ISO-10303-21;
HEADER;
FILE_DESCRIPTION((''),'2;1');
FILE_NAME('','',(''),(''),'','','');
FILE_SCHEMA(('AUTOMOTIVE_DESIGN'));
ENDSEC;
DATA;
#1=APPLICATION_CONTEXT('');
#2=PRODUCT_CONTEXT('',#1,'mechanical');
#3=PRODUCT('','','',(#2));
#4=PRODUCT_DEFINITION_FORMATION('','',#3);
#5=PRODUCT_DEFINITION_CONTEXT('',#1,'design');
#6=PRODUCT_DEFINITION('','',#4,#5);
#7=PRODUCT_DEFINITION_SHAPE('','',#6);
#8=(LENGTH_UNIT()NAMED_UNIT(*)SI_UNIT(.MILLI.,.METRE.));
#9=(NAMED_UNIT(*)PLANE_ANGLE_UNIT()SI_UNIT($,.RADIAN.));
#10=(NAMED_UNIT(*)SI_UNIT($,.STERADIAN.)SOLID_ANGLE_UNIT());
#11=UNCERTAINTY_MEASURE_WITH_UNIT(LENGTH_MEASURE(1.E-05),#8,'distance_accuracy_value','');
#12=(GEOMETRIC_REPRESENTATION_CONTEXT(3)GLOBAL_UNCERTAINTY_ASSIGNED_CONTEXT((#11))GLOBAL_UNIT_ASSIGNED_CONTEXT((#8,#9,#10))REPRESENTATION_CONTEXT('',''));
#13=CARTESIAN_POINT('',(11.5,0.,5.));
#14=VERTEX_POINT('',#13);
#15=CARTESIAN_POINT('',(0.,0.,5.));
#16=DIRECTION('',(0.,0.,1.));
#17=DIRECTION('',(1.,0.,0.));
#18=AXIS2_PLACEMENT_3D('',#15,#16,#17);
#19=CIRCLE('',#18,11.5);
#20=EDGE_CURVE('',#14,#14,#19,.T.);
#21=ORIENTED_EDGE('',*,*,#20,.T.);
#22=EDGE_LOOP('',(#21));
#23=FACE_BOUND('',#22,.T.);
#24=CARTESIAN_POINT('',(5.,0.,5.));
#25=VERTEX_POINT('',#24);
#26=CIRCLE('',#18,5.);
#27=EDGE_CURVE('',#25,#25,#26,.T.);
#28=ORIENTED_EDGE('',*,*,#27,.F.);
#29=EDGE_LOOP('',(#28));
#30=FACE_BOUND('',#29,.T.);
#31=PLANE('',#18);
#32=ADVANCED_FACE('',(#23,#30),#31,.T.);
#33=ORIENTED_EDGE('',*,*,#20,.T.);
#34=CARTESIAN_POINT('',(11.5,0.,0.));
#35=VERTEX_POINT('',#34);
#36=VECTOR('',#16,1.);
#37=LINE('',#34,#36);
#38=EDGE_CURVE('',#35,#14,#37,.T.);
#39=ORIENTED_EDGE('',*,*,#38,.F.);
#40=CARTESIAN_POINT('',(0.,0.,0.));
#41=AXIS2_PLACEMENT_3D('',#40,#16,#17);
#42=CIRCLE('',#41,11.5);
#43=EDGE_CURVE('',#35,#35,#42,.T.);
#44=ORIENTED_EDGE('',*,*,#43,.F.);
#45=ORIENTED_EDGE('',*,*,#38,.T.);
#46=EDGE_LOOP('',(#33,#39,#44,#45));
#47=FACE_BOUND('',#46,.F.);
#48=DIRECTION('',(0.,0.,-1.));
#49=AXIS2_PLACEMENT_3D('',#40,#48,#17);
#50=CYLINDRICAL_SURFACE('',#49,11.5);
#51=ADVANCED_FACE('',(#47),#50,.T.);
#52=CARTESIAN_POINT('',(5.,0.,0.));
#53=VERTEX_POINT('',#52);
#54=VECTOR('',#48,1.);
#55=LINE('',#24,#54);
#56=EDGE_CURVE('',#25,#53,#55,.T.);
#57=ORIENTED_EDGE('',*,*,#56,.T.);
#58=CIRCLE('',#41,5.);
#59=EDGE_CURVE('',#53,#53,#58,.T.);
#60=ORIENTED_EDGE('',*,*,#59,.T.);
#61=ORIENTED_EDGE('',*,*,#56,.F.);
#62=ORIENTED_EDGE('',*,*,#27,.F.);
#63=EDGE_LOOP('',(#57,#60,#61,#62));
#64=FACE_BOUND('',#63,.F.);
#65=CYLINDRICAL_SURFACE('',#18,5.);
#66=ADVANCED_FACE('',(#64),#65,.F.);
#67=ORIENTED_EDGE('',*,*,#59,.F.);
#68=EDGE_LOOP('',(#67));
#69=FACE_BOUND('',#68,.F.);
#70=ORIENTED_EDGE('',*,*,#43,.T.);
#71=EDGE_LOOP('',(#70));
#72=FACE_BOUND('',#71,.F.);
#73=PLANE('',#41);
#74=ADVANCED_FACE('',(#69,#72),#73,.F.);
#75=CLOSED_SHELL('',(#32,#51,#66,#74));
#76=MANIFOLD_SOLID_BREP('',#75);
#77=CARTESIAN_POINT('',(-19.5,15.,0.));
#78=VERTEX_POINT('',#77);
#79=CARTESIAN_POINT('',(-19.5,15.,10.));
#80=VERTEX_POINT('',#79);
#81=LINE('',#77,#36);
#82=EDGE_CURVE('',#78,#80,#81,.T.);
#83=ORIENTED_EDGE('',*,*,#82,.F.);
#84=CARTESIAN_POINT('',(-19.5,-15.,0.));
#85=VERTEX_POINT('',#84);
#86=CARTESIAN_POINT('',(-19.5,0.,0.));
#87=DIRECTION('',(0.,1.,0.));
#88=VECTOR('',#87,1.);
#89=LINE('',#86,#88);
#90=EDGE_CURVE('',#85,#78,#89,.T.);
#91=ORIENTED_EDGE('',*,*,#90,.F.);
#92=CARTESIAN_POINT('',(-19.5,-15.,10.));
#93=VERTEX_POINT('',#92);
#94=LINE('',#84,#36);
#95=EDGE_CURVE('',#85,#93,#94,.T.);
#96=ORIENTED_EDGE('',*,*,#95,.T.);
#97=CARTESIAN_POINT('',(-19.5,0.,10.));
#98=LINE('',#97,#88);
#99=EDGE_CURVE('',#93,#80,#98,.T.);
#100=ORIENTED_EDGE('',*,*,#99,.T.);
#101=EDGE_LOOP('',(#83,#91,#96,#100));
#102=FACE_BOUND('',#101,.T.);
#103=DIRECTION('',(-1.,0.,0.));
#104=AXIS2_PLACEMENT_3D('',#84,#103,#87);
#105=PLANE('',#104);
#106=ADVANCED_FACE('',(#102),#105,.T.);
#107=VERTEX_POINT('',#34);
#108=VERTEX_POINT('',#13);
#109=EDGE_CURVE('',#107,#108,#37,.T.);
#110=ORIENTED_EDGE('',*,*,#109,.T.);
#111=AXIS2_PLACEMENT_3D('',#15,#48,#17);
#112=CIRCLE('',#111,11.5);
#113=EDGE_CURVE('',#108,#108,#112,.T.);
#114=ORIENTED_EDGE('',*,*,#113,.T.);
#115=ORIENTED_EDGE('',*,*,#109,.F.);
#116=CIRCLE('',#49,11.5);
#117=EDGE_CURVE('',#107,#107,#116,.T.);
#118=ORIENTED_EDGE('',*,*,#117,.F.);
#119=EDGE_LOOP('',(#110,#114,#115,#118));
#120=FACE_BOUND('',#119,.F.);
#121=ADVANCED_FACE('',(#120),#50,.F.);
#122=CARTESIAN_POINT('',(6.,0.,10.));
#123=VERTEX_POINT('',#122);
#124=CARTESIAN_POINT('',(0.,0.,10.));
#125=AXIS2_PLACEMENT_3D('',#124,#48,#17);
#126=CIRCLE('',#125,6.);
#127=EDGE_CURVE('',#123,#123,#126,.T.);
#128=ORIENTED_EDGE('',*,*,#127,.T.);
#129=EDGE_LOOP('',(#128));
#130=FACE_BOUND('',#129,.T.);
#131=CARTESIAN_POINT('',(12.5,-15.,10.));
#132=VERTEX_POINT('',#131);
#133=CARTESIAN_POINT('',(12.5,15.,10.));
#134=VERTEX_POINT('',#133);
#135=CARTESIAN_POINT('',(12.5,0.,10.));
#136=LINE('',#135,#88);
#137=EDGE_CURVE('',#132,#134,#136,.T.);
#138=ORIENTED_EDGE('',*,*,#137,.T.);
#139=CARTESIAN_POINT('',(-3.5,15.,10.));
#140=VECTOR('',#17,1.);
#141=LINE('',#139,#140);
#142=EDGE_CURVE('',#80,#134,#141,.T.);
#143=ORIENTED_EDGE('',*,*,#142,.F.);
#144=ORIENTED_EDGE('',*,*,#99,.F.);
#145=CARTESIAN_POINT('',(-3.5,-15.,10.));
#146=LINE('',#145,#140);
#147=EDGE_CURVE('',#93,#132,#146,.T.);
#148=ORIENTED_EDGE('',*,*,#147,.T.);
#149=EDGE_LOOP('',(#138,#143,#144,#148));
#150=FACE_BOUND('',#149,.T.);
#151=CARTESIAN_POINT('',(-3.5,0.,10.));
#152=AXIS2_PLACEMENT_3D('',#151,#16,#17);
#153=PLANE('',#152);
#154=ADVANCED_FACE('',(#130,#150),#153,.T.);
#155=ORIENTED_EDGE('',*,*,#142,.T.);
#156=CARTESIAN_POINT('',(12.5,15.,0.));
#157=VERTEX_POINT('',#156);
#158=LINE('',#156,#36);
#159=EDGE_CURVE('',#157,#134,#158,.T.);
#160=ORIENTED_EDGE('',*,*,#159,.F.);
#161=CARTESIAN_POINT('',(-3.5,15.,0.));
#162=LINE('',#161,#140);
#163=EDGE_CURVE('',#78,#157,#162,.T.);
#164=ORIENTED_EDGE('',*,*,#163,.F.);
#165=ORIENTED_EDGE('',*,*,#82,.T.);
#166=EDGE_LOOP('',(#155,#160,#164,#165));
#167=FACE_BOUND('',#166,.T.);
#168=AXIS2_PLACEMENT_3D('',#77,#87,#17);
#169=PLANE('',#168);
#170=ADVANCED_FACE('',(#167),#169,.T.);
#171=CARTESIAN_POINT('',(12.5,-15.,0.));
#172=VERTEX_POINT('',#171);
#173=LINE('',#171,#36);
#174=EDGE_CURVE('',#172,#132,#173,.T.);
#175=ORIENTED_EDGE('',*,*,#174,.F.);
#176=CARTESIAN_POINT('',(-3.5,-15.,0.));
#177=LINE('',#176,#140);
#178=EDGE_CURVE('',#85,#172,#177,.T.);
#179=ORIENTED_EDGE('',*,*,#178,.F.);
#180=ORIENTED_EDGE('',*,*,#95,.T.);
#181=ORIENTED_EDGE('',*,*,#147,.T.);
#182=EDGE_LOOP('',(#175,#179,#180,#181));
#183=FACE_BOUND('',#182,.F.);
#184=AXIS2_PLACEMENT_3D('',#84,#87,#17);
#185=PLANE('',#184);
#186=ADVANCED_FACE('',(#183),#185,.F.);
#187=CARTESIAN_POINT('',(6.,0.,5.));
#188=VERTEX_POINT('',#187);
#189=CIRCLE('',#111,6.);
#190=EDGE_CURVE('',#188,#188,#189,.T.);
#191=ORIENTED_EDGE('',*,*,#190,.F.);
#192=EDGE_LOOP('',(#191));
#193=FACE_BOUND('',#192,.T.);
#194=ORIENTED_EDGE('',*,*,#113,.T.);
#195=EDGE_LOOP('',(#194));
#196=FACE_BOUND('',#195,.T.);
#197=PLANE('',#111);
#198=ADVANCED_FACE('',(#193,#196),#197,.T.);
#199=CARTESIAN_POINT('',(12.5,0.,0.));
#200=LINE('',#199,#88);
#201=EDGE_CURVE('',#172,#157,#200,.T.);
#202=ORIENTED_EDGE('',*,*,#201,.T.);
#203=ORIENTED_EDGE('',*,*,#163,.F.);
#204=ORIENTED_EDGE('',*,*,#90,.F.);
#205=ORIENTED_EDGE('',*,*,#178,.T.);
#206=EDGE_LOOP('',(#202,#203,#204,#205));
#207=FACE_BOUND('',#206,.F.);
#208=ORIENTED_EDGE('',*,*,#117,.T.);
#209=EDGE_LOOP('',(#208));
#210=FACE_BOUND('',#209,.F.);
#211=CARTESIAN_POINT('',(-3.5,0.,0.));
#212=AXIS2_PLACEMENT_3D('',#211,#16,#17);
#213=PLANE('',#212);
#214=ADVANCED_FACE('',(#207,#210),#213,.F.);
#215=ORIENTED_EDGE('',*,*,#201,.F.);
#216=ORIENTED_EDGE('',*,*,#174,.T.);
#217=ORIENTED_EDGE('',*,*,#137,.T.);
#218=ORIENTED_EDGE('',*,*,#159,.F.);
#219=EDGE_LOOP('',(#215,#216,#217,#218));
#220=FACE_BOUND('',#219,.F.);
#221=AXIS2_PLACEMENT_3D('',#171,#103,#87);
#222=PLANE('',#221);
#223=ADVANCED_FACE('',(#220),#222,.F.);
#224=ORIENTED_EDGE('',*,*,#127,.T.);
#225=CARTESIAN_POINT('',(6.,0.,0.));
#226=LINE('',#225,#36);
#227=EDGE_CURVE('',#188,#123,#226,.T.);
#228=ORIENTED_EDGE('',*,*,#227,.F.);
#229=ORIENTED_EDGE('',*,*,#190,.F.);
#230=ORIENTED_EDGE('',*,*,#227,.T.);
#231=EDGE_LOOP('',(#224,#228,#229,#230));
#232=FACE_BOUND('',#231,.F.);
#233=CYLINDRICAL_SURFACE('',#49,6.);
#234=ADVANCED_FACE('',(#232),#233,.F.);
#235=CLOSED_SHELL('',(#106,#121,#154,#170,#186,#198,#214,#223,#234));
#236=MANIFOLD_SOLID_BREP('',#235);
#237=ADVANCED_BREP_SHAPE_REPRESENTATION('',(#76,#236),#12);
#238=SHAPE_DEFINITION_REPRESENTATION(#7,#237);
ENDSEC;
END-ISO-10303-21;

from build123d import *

# Parameters (mm, degrees)
CYLINDER_R      = 11.5
CYLINDER_DEPTH  = 5
SKETCH_R        = 5
POCKET_DEPTH    = 5.001
BOX_W           = 32
BOX_H           = 30
BOX_DEPTH       = 10
SKETCH001_R     = 11.5
POCKET001_DEPTH = 5
SKETCH002_R     = 6
POCKET002_DEPTH = 10.001


with BuildPart() as pocket:
    # Cylinder → Cylinder (new body)
    with BuildSketch(Plane.XY):
        Circle(CYLINDER_R)
    extrude(amount=CYLINDER_DEPTH)

    # Sketch → Pocket (cut, through all)
    with BuildSketch(Plane.XY.offset(5)):
        Circle(SKETCH_R)
    extrude(amount=-POCKET_DEPTH, mode=Mode.SUBTRACT)


with BuildPart() as pocket002:
    # Box → Box (new body)
    with BuildSketch(Plane(origin=(-19.5, -15, 0), x_dir=(1, 0, 0), z_dir=(0, 0, 1))):
        with Locations((16, 15)):
            Rectangle(BOX_W, BOX_H)
    extrude(amount=BOX_DEPTH)

    # Sketch001 → Pocket001 (cut)
    with BuildSketch(Plane(origin=(-19.5, -15, 0), x_dir=(1, 0, 0), z_dir=(0, 0, -1))):
        with Locations((19.5, -15)):
            Circle(SKETCH001_R)
    extrude(amount=-POCKET001_DEPTH, mode=Mode.SUBTRACT)

    # Sketch002 → Pocket002 (cut, through all)
    with BuildSketch(Plane(origin=(-19.5, -15, 0), x_dir=(1, 0, 0), z_dir=(0, 0, -1))):
        with Locations((19.5, -15)):
            Circle(SKETCH002_R)
    extrude(amount=-POCKET002_DEPTH, mode=Mode.SUBTRACT)


solid = Compound([pocket.part, pocket002.part])
